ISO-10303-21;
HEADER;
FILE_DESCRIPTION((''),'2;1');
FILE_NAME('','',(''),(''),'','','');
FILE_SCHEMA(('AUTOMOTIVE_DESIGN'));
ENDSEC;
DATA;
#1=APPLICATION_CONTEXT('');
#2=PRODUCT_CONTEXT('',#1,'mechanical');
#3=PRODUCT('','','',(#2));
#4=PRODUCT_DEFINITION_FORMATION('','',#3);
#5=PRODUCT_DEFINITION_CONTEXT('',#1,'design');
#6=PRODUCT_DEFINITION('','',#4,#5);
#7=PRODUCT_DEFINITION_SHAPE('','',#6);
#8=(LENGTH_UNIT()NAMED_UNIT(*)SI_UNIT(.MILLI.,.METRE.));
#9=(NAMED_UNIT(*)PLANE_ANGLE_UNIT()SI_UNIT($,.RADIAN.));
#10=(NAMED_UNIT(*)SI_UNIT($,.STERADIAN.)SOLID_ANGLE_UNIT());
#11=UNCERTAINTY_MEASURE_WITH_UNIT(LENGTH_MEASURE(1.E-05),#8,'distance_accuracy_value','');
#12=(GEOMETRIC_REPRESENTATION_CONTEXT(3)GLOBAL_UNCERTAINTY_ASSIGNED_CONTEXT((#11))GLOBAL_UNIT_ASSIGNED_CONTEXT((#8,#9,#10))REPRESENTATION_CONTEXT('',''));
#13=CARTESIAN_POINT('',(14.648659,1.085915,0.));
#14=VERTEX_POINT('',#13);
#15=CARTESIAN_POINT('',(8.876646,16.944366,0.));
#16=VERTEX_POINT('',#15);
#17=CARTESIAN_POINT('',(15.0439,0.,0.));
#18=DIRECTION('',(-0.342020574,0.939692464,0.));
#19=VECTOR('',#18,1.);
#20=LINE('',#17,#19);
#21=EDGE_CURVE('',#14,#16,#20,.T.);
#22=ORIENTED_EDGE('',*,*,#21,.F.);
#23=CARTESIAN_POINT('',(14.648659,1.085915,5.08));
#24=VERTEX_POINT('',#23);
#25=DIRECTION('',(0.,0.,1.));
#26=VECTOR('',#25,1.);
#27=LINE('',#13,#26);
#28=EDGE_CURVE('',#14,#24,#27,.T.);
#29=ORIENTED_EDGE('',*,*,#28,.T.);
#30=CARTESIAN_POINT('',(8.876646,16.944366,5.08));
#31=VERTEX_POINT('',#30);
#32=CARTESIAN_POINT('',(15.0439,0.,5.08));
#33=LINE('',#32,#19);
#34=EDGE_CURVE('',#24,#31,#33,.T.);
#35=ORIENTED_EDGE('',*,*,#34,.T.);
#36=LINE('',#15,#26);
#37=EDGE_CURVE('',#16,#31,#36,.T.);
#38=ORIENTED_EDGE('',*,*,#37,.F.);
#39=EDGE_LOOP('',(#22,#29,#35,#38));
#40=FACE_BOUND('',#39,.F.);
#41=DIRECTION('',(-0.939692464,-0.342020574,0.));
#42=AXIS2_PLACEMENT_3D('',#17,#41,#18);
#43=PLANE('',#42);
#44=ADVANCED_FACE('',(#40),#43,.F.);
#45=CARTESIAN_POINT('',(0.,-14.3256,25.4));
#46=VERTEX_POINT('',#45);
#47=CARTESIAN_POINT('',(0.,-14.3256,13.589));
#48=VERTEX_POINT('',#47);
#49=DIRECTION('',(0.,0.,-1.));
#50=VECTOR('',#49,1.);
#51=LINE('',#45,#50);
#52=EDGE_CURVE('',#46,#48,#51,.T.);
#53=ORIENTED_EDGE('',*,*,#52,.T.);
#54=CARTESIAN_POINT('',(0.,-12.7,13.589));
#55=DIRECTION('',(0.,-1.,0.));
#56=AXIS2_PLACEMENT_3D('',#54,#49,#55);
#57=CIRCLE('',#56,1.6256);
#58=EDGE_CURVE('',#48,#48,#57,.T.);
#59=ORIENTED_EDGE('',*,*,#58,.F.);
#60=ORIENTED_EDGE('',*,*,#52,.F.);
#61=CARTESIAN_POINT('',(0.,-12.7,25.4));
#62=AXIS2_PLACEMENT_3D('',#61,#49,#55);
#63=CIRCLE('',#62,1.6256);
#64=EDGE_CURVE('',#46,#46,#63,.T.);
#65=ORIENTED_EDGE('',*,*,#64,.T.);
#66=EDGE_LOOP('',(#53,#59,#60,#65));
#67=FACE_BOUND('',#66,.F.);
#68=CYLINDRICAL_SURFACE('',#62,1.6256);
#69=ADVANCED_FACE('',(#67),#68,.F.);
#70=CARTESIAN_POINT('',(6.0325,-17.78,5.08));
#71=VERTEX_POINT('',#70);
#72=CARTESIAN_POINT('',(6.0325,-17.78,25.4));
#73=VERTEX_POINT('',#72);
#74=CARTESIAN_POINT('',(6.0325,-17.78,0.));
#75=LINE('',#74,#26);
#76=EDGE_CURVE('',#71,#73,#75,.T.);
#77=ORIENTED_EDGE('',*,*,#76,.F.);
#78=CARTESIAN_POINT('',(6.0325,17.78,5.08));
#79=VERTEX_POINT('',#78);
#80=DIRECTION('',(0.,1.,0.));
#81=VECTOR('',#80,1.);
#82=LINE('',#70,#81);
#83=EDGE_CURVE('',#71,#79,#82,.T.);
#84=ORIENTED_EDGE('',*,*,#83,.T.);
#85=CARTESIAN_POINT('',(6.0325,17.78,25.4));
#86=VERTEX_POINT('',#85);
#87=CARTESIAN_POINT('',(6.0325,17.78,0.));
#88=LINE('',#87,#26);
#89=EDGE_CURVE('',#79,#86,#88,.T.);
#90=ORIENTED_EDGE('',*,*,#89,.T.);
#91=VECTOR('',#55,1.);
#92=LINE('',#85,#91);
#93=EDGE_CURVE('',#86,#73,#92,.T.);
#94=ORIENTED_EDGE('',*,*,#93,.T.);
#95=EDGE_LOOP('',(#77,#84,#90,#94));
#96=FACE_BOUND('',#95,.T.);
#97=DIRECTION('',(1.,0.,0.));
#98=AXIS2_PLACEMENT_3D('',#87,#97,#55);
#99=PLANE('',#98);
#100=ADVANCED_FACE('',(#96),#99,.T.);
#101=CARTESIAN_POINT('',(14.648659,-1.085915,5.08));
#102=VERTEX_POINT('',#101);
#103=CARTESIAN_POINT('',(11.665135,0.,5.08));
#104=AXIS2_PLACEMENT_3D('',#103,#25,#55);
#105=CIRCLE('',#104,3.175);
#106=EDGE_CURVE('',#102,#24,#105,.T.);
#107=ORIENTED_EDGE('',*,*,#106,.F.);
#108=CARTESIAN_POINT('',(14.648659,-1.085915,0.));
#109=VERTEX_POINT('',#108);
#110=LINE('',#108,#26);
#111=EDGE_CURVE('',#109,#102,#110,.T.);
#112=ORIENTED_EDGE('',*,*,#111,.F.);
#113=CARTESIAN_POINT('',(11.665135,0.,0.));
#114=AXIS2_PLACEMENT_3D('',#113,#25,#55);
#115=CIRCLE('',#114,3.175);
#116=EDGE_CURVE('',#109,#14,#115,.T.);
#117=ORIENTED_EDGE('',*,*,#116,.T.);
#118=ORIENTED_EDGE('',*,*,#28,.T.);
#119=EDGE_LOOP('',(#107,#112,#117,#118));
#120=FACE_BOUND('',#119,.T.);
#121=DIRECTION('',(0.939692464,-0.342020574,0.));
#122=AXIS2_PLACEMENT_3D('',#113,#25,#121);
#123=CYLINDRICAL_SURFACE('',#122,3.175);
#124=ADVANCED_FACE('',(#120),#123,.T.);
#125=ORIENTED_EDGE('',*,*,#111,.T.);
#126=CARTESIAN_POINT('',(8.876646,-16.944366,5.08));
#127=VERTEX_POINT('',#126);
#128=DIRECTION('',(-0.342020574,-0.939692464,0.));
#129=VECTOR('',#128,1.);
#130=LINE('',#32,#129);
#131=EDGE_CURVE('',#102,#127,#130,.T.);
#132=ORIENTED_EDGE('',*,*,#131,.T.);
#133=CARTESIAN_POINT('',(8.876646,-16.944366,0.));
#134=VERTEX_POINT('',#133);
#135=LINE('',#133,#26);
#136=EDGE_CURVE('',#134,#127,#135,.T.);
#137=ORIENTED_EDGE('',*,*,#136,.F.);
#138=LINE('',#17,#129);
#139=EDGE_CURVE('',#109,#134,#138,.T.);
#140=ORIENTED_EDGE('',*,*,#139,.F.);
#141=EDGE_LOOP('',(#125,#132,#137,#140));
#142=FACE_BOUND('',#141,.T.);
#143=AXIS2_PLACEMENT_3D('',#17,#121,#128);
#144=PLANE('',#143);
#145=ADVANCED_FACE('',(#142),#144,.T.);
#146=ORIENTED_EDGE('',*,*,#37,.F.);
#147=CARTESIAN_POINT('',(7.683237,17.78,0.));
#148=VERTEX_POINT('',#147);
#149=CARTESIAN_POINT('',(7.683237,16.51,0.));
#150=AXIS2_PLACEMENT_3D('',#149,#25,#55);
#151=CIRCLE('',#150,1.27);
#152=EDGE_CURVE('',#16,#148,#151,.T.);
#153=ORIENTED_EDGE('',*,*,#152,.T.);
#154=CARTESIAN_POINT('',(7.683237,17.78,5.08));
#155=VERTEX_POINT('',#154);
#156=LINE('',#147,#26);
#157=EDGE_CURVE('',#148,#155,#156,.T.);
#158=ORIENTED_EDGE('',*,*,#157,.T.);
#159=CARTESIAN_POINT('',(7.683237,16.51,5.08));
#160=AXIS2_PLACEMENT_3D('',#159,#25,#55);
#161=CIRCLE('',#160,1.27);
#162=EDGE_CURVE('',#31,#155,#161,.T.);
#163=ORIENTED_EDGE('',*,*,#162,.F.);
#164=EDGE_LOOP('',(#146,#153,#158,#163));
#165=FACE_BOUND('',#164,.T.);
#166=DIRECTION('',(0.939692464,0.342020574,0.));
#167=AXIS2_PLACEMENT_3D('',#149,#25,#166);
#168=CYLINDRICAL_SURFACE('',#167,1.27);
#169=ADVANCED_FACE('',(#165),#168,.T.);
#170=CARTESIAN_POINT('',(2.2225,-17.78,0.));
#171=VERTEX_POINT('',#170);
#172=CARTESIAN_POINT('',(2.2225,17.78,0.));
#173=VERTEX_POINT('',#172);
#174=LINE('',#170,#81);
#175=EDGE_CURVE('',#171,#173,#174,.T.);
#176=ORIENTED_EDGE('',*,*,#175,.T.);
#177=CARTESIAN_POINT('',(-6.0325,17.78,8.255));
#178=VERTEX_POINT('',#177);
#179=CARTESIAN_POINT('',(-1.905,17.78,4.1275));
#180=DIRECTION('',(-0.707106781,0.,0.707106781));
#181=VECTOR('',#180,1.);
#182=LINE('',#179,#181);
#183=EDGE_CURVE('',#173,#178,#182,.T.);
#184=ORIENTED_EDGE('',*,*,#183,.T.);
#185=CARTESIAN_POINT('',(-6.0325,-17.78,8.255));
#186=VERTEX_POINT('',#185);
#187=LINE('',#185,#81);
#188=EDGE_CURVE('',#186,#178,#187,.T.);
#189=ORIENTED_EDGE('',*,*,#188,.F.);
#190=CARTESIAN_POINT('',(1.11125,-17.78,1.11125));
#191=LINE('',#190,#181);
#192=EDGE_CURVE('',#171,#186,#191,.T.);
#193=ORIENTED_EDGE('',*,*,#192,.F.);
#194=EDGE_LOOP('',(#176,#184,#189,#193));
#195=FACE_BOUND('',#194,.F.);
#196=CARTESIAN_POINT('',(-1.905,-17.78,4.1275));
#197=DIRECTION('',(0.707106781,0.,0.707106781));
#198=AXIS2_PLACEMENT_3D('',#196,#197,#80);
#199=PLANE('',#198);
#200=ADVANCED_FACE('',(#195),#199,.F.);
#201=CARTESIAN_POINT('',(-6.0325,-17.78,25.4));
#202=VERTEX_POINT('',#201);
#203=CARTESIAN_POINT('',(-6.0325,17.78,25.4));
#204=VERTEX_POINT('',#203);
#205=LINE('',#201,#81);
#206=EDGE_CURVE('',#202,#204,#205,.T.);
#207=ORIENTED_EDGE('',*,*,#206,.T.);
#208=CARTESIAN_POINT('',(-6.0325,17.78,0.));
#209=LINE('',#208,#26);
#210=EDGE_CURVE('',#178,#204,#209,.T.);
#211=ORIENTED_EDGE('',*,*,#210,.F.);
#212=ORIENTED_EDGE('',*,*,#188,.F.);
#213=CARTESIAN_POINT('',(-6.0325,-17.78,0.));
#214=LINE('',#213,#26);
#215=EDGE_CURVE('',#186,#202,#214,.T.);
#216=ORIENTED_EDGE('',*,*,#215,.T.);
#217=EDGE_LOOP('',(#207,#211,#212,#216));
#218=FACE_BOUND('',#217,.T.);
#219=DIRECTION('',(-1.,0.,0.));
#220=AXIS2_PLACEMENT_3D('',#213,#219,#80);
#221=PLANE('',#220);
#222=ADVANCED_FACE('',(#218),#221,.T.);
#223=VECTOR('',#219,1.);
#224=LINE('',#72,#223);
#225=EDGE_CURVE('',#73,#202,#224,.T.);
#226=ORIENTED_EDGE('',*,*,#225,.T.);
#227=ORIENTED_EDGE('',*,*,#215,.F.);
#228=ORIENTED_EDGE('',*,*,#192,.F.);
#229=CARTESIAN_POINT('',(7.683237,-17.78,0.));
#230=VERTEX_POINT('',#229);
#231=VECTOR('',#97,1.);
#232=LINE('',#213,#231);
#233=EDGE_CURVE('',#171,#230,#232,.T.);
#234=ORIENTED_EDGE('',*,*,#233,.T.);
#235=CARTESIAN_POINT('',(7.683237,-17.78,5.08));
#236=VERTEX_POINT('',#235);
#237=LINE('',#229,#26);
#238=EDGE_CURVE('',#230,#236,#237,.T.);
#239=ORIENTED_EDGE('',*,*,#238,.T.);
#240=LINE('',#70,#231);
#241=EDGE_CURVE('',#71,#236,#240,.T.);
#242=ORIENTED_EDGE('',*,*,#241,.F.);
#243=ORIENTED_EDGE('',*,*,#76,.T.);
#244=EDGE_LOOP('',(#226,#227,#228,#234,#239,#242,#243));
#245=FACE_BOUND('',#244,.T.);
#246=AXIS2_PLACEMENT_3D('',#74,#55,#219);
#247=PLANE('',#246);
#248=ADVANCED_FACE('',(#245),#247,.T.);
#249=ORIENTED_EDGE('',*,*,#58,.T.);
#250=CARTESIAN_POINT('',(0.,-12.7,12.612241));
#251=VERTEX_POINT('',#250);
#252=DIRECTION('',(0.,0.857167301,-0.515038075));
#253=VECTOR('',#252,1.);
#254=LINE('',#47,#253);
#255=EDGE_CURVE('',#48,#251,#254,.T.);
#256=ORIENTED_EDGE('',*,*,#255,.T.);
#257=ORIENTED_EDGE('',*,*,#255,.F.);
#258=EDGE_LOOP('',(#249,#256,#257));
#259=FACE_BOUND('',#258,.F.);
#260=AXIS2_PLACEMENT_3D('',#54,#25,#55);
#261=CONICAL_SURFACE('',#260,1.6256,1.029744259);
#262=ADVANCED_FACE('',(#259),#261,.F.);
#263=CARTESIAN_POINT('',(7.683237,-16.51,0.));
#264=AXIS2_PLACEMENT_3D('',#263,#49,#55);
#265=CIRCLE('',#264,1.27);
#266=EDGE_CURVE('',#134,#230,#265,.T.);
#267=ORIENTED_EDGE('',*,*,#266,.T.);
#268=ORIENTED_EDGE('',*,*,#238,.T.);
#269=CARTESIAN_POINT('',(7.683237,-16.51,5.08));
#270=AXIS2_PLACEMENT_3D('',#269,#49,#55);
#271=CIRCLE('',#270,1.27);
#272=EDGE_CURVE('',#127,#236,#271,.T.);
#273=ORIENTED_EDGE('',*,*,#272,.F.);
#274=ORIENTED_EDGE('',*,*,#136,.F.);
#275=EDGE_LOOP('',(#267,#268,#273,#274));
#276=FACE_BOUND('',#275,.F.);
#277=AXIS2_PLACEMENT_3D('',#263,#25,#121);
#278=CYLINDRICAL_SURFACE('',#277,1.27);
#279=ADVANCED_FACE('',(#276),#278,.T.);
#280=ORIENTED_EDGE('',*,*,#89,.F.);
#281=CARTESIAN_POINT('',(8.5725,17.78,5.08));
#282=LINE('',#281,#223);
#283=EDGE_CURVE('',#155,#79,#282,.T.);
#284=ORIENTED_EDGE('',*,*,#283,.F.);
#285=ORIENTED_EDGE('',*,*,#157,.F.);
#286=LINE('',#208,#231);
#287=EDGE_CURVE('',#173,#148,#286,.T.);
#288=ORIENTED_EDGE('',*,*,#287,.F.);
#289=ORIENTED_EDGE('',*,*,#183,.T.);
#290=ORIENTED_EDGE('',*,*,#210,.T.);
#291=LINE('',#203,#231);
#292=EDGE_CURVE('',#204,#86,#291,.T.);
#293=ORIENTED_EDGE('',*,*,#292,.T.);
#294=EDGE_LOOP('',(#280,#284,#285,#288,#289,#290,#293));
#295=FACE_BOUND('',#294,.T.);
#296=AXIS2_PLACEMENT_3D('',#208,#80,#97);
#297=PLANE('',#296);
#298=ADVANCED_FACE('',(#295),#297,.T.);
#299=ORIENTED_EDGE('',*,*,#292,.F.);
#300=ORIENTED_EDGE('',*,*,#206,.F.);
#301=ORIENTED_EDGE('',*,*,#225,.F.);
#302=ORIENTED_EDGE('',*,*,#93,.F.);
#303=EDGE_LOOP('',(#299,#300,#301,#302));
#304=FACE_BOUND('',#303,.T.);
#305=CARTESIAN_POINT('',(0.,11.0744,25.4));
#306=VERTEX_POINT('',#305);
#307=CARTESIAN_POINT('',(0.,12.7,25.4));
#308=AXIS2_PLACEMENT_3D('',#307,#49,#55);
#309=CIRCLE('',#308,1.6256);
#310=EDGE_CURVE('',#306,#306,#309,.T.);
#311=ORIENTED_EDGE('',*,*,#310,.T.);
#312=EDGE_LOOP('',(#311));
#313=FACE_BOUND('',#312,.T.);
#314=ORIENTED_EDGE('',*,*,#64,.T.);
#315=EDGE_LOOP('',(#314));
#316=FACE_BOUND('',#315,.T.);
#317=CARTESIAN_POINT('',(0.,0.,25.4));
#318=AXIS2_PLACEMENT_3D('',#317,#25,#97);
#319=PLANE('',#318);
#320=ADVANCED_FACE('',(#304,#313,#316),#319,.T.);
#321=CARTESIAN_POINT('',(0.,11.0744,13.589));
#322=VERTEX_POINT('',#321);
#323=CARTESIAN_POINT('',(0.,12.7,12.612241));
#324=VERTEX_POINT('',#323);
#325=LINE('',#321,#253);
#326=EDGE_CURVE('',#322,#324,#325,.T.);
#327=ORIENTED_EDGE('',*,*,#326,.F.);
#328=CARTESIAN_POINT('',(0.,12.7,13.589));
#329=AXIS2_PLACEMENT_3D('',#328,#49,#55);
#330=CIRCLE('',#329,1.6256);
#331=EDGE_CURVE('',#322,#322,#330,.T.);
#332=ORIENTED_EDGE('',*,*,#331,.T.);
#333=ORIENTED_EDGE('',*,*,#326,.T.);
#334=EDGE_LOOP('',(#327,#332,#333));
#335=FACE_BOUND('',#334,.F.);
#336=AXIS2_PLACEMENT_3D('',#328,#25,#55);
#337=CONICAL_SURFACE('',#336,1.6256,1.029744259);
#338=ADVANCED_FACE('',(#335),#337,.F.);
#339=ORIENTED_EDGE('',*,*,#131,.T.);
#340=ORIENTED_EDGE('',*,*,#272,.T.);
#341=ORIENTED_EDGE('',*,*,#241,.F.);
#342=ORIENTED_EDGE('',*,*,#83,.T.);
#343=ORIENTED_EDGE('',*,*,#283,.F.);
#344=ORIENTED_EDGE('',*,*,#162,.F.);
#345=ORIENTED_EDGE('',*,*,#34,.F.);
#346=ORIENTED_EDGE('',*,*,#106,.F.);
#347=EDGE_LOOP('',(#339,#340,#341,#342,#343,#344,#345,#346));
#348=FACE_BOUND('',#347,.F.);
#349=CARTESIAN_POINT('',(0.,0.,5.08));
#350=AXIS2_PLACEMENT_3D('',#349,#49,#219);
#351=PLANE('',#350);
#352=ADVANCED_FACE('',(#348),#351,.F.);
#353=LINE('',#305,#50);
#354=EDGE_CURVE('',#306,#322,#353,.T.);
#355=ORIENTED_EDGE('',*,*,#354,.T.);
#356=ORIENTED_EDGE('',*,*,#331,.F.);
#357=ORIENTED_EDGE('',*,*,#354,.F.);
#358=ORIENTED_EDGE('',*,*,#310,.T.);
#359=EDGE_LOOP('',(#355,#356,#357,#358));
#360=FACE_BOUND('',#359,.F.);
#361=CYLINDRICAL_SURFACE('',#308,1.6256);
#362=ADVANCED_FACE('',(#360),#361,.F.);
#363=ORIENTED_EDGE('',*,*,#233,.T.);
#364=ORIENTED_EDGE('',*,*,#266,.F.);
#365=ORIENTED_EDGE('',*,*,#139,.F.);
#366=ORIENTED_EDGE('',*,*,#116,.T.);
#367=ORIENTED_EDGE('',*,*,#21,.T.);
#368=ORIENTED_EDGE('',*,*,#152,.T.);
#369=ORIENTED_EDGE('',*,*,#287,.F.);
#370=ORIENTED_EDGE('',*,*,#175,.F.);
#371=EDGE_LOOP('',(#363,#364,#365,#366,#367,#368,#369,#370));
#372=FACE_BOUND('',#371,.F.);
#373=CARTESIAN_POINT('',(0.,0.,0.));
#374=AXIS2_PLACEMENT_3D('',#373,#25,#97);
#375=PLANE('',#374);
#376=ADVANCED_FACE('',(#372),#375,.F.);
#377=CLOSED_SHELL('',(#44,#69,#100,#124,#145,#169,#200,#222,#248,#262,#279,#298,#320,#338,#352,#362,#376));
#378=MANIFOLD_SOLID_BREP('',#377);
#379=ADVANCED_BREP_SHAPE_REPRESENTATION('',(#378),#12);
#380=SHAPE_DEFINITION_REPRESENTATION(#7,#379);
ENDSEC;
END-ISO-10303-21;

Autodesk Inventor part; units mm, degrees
ref_plane "YZ Plane" through (0, 0, 0) normal (1, 0, 0) x (0, 1, 0)
ref_plane "XZ Plane" through (0, 0, 0) normal (0, 1, 0) x (-1, 0, 0)
ref_plane "XY Plane" through (0, 0, 0) normal (0, 0, 1) x (1, 0, 0)
sketch "Sketch1" plane through (0, 0, 0) normal (0, 0, 1) x (1, 0, 0)
  line L0 (6.0325, -17.78) -> (-6.0325, -17.78)
  line L1 (-6.0325, -17.78) -> (-6.0325, 17.78)
  line L2 (-6.0325, 17.78) -> (6.0325, 17.78)
  line L3 (6.0325, 17.78) -> (6.0325, -17.78)
  line L4 (6.0325, -17.78) -> (-6.0325, 17.78) construction
  line L5 (-6.0325, -17.78) -> (6.0325, 17.78) construction
  point P0 (0, 0)
  dimension "d0" = 12.065
  dimension "d1" = 35.56
extrude "Extrusion1" add sketch "Sketch1" along normal blind 25.4
sketch "Sketch3" plane through (0, 0, 25.4) normal (0, 0, 1) x (1, 0, 0)
  line L0 (6.0325, -17.78) -> (6.0325, 17.78) projected
  line L1 (0, 26.67) -> (0, -26.67) projected
  line L2 (-8.4455, 0) -> (8.4455, 0) projected
  point P0 (0, 12.7)
  point P1 (0, -12.7)
  dimension "d45" = 12.7
  dimension "d46" = 12.7
  dimension "d47" = 0
hole "Hole5" at (0, 12.7, 25.4) at (0, -12.7, 25.4) direction (0, 0, -1) diameter 3.2512 depth 11.811 tip angle 118
sketch "Sketch7" plane through (0, 0, 0) normal (0, 0, -1) x (-1, 0, 0)
  line L0 (-6.0325, -17.78) -> (6.0325, -17.78) projected
  line L1 (6.0325, 17.78) -> (-6.0325, 17.78) projected
  line L2 (-6.0325, 17.78) -> (-6.0325, -17.78) projected
  line L3 (-15.0439, 0) -> (-8.5725, -17.78)
  line L4 (-6.0325, -17.78) -> (-8.5725, -17.78)
  line L5 (-15.0439, 0) -> (-8.5725, 17.78)
  line L6 (-8.5725, 17.78) -> (-6.0325, 17.78)
  line L7 (0, -26.67) -> (0, 26.67) projected
  line L8 (-19.0666, 0) -> (10.2157, 0) projected
  point P0 (0, 0)
  dimension "d70" = 70
  dimension "d71" = 70
  dimension "d72" = 2.54
extrude "Extrusion6" add sketch "Sketch7" against normal blind 5.08 contours L4 L3 L8 L2 | L8 L5 L6 L2
fillet "Fillet1" radius 3.175 1 edges at (15.0439, 0, 2.54)
fillet "Fillet2" radius 1.27 2 edges at (8.5725, -17.78, 2.54) (8.5725, 17.78, 2.54)
chamfer "Chamfer1" distance 8.255 angle 45 1 edges at (-6.0325, 0, 0)
properties part number "J005413" material "ALUMINUM, 6061-T651"
